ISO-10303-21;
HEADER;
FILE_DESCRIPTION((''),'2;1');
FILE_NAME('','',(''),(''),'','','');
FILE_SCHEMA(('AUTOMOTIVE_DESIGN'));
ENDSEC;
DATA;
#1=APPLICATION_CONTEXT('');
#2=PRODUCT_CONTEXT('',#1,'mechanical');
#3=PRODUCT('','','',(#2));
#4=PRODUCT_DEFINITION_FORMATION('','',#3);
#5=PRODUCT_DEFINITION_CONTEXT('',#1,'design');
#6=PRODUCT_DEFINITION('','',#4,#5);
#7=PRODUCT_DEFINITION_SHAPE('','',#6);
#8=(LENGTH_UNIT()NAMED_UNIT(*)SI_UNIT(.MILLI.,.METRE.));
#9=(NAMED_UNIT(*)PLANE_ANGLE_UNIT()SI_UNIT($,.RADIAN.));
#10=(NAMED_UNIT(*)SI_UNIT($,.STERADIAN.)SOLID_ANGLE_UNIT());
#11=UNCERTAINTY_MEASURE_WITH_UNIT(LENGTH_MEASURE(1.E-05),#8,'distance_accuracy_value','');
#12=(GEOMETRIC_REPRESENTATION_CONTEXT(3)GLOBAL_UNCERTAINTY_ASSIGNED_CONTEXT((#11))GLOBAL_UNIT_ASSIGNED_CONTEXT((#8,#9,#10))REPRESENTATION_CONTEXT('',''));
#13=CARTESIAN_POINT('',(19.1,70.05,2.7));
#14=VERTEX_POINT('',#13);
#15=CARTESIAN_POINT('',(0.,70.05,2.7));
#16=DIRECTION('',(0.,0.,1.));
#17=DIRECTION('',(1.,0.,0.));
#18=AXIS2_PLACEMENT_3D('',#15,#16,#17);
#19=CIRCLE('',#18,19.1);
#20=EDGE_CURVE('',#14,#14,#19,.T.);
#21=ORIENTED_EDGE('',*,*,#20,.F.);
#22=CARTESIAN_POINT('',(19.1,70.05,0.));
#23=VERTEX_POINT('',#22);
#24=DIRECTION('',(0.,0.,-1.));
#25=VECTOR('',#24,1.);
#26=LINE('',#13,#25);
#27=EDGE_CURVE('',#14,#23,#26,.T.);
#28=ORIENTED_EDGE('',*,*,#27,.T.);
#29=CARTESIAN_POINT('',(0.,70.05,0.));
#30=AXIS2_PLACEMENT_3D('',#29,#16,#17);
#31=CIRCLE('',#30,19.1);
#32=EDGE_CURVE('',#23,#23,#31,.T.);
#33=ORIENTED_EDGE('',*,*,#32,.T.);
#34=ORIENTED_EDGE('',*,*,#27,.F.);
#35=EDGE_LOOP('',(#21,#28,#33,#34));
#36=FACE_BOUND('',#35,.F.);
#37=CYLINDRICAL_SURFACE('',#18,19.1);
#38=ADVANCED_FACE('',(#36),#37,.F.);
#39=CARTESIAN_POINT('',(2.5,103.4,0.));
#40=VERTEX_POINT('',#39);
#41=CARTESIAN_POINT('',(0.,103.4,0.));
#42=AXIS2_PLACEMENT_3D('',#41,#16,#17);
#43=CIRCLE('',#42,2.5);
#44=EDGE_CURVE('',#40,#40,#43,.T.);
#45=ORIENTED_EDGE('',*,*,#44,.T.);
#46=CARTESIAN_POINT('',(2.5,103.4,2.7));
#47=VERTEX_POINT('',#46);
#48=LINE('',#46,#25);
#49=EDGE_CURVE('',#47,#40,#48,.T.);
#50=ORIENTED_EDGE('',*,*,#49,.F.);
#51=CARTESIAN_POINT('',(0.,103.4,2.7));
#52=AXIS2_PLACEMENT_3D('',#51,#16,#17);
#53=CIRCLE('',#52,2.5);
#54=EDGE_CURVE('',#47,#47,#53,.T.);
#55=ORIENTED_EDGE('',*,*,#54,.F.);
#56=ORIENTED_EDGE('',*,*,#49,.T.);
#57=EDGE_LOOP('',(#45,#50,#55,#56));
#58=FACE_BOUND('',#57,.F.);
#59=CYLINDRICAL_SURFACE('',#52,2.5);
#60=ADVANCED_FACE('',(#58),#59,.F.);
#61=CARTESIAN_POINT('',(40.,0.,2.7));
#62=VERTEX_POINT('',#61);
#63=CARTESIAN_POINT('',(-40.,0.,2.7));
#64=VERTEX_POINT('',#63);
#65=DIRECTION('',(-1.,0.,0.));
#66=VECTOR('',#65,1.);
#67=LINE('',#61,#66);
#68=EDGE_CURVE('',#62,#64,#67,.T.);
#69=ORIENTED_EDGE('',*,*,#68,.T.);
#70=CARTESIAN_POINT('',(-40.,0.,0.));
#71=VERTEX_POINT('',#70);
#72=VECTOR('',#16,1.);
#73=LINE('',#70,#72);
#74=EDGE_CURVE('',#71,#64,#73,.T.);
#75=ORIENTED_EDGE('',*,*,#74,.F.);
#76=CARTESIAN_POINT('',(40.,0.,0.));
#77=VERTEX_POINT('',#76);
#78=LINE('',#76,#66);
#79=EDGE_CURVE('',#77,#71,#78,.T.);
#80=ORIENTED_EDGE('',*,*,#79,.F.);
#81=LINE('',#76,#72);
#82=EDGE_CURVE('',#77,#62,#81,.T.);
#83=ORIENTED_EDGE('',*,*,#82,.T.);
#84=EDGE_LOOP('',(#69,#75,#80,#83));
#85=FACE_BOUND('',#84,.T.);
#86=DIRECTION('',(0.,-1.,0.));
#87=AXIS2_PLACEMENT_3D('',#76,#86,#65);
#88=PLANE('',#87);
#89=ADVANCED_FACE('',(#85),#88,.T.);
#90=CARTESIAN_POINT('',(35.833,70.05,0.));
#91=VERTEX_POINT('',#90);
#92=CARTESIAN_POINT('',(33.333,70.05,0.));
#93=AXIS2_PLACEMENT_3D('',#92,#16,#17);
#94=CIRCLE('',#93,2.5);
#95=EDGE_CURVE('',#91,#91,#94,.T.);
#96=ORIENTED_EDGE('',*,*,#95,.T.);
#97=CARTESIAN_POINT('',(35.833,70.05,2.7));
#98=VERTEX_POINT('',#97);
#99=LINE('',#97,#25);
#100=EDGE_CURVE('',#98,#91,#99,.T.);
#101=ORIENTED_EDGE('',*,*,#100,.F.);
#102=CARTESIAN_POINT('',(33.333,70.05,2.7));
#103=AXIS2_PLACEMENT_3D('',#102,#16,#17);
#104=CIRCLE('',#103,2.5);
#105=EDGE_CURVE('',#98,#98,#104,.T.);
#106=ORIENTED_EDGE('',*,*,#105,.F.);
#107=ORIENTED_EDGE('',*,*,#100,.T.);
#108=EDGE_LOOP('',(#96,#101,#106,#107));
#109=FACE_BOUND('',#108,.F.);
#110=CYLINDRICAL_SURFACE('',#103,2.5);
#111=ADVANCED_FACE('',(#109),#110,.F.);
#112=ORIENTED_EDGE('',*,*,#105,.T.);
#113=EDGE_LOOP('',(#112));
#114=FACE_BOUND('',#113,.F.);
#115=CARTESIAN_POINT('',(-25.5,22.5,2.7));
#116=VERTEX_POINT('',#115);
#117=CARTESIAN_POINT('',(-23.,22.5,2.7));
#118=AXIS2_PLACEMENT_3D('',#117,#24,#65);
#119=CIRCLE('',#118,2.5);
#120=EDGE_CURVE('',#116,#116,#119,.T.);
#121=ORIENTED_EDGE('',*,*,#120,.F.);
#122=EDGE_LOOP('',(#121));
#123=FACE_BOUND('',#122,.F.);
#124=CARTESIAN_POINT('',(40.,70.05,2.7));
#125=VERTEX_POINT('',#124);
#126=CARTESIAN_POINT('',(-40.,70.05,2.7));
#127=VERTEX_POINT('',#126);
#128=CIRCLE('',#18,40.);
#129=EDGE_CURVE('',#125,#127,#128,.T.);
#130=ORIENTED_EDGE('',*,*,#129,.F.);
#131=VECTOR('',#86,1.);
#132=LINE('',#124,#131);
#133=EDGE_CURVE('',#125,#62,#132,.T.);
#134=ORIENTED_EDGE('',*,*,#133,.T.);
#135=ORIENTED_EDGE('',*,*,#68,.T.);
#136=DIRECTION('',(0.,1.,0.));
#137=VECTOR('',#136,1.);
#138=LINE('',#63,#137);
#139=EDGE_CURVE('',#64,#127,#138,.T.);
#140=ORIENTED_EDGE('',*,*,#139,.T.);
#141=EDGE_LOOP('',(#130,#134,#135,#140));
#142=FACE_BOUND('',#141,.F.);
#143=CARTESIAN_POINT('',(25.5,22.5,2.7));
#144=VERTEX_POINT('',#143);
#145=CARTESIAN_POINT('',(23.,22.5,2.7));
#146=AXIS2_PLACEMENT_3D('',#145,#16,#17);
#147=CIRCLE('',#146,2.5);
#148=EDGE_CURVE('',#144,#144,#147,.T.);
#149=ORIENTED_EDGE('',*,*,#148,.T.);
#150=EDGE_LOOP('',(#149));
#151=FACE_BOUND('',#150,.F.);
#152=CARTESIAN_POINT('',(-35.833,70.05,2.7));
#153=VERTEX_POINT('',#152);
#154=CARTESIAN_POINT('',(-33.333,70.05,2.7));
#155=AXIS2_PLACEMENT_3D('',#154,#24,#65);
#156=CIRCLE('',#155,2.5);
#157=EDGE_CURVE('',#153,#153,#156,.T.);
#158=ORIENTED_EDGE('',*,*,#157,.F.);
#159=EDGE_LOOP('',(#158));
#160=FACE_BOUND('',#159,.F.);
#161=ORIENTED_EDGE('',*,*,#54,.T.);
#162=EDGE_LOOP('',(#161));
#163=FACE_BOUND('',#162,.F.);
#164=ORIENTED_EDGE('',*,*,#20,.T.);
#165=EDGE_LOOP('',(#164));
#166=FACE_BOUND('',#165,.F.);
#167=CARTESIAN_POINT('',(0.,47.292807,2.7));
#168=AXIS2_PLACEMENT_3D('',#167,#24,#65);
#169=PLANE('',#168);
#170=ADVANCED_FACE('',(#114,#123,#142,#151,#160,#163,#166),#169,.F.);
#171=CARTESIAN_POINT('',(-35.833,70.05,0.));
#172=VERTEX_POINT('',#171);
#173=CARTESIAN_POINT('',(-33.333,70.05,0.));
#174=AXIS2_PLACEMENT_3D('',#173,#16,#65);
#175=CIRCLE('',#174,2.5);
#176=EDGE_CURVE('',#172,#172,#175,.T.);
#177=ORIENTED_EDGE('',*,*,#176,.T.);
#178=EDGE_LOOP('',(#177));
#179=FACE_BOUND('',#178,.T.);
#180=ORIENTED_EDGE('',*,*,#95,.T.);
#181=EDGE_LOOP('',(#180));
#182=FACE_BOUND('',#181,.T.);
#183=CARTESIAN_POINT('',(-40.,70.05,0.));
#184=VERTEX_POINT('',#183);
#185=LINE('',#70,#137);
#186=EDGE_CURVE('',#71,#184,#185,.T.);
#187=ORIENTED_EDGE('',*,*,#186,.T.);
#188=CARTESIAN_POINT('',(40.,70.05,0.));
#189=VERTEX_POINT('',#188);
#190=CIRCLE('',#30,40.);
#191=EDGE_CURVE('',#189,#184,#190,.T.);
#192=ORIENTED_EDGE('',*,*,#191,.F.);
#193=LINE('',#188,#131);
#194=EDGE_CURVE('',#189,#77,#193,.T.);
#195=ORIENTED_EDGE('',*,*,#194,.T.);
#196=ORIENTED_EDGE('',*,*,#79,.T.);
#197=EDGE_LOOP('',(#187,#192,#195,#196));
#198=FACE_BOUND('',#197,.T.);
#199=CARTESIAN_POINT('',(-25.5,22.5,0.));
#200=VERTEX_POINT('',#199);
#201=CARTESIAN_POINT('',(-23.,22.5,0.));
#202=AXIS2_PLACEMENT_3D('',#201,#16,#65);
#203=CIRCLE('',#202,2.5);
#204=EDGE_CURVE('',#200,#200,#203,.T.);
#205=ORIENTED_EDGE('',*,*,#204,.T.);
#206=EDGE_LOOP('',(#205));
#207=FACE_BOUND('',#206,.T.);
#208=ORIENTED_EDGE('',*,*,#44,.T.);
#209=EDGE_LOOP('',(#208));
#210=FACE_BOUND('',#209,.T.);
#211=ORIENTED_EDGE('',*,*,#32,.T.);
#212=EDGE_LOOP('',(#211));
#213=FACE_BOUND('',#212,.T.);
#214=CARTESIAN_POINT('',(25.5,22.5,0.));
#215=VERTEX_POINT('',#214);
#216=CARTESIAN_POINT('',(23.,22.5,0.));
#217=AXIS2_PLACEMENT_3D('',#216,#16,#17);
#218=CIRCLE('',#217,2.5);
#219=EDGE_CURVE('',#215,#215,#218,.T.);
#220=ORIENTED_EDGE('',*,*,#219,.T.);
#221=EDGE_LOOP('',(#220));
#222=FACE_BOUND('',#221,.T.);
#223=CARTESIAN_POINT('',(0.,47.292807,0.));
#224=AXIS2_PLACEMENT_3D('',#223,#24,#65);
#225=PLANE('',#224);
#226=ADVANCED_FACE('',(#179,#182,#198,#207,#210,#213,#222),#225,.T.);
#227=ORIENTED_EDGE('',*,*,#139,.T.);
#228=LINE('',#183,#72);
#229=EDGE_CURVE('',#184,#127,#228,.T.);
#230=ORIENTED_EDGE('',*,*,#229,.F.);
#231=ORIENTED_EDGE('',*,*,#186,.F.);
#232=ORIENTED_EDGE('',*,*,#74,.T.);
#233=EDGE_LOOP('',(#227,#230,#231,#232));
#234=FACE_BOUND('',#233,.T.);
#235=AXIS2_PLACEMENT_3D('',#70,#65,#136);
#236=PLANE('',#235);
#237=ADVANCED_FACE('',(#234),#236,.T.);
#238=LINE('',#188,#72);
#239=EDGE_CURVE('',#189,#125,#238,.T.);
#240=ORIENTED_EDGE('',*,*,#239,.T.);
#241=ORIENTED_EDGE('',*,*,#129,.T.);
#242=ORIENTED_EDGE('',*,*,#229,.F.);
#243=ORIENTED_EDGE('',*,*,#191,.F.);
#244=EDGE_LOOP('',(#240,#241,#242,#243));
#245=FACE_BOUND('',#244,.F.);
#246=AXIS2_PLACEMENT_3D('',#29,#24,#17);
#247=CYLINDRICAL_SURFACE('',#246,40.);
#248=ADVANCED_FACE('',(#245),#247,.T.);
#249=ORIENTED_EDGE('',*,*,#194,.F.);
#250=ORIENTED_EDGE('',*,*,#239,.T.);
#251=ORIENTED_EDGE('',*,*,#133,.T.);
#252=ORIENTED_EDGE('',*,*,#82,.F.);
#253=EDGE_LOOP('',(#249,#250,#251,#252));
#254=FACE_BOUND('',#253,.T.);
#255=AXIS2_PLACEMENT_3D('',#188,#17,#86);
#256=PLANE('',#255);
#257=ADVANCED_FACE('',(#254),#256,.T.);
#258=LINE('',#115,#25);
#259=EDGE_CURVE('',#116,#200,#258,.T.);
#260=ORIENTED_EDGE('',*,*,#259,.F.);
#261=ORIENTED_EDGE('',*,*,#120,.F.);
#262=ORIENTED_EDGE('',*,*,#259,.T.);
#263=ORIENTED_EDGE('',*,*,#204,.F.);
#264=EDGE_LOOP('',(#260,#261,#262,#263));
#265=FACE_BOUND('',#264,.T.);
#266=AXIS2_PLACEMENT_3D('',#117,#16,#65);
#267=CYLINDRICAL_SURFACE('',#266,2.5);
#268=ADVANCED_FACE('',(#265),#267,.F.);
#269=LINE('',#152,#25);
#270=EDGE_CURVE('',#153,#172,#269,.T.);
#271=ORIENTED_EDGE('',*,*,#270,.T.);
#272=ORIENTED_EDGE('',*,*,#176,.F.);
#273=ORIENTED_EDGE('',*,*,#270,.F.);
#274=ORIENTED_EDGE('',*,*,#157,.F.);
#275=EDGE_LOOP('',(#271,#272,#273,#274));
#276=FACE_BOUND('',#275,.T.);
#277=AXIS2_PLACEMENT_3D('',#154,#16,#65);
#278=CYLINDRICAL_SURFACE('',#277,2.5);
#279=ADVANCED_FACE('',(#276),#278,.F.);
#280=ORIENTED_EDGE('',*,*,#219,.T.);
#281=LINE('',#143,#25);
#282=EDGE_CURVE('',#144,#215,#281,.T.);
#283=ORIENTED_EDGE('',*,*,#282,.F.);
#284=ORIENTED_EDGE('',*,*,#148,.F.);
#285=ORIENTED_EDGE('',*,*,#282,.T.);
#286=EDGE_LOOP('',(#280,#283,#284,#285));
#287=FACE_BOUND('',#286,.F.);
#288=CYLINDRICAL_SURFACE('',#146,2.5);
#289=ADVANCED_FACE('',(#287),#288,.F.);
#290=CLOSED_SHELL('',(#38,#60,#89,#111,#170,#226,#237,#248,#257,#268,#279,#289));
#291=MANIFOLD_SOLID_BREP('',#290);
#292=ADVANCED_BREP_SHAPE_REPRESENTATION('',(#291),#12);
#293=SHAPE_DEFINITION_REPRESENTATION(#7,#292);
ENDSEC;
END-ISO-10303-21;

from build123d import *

# Parameters (mm, degrees)
PAD_DEPTH       = 2.7
SKETCH001_R     = 2.5
POCKET_DEPTH    = 5
SKETCH002_R     = 2.5
POCKET001_DEPTH = 5
SKETCH003_R     = 19.1
POCKET002_DEPTH = 5


with BuildPart() as part:
    # Sketch → Pad (new body)
    with BuildSketch(Plane.XY):
        with BuildLine():
            Line((40, 70.05), (40, 0))
            Line((40, 0), (-40, 0))
            Line((-40, 0), (-40, 70.05))
            ThreePointArc((40, 70.05), (0, 110.05), (-40, 70.05))
        make_face()
    extrude(amount=PAD_DEPTH)

    # Sketch001 → Pocket (cut)
    with BuildSketch(Plane.XY.offset(2.7)):
        with Locations((33.333, 70.05)):
            Circle(SKETCH001_R)
        with Locations((23, 22.5)):
            Circle(SKETCH001_R)
    pocket = extrude(amount=-POCKET_DEPTH, mode=Mode.SUBTRACT)

    # Mirrored: Pocket across Sketch001 V_Axis
    add(pocket.mirror(Plane(origin=(0, 0, 2.7), x_dir=(0, 0, 1), z_dir=(1, 0, 0))), mode=Mode.SUBTRACT)

    # Sketch002 → Pocket001 (cut)
    with BuildSketch(Plane.XY.offset(2.7)):
        with Locations((0, 103.4)):
            Circle(SKETCH002_R)
    extrude(amount=-POCKET001_DEPTH, mode=Mode.SUBTRACT)

    # Sketch003 → Pocket002 (cut)
    with BuildSketch(Plane.XY.offset(2.7)):
        with Locations((0, 70.05)):
            Circle(SKETCH003_R)
    extrude(amount=-POCKET002_DEPTH, mode=Mode.SUBTRACT)


solid = part.part
